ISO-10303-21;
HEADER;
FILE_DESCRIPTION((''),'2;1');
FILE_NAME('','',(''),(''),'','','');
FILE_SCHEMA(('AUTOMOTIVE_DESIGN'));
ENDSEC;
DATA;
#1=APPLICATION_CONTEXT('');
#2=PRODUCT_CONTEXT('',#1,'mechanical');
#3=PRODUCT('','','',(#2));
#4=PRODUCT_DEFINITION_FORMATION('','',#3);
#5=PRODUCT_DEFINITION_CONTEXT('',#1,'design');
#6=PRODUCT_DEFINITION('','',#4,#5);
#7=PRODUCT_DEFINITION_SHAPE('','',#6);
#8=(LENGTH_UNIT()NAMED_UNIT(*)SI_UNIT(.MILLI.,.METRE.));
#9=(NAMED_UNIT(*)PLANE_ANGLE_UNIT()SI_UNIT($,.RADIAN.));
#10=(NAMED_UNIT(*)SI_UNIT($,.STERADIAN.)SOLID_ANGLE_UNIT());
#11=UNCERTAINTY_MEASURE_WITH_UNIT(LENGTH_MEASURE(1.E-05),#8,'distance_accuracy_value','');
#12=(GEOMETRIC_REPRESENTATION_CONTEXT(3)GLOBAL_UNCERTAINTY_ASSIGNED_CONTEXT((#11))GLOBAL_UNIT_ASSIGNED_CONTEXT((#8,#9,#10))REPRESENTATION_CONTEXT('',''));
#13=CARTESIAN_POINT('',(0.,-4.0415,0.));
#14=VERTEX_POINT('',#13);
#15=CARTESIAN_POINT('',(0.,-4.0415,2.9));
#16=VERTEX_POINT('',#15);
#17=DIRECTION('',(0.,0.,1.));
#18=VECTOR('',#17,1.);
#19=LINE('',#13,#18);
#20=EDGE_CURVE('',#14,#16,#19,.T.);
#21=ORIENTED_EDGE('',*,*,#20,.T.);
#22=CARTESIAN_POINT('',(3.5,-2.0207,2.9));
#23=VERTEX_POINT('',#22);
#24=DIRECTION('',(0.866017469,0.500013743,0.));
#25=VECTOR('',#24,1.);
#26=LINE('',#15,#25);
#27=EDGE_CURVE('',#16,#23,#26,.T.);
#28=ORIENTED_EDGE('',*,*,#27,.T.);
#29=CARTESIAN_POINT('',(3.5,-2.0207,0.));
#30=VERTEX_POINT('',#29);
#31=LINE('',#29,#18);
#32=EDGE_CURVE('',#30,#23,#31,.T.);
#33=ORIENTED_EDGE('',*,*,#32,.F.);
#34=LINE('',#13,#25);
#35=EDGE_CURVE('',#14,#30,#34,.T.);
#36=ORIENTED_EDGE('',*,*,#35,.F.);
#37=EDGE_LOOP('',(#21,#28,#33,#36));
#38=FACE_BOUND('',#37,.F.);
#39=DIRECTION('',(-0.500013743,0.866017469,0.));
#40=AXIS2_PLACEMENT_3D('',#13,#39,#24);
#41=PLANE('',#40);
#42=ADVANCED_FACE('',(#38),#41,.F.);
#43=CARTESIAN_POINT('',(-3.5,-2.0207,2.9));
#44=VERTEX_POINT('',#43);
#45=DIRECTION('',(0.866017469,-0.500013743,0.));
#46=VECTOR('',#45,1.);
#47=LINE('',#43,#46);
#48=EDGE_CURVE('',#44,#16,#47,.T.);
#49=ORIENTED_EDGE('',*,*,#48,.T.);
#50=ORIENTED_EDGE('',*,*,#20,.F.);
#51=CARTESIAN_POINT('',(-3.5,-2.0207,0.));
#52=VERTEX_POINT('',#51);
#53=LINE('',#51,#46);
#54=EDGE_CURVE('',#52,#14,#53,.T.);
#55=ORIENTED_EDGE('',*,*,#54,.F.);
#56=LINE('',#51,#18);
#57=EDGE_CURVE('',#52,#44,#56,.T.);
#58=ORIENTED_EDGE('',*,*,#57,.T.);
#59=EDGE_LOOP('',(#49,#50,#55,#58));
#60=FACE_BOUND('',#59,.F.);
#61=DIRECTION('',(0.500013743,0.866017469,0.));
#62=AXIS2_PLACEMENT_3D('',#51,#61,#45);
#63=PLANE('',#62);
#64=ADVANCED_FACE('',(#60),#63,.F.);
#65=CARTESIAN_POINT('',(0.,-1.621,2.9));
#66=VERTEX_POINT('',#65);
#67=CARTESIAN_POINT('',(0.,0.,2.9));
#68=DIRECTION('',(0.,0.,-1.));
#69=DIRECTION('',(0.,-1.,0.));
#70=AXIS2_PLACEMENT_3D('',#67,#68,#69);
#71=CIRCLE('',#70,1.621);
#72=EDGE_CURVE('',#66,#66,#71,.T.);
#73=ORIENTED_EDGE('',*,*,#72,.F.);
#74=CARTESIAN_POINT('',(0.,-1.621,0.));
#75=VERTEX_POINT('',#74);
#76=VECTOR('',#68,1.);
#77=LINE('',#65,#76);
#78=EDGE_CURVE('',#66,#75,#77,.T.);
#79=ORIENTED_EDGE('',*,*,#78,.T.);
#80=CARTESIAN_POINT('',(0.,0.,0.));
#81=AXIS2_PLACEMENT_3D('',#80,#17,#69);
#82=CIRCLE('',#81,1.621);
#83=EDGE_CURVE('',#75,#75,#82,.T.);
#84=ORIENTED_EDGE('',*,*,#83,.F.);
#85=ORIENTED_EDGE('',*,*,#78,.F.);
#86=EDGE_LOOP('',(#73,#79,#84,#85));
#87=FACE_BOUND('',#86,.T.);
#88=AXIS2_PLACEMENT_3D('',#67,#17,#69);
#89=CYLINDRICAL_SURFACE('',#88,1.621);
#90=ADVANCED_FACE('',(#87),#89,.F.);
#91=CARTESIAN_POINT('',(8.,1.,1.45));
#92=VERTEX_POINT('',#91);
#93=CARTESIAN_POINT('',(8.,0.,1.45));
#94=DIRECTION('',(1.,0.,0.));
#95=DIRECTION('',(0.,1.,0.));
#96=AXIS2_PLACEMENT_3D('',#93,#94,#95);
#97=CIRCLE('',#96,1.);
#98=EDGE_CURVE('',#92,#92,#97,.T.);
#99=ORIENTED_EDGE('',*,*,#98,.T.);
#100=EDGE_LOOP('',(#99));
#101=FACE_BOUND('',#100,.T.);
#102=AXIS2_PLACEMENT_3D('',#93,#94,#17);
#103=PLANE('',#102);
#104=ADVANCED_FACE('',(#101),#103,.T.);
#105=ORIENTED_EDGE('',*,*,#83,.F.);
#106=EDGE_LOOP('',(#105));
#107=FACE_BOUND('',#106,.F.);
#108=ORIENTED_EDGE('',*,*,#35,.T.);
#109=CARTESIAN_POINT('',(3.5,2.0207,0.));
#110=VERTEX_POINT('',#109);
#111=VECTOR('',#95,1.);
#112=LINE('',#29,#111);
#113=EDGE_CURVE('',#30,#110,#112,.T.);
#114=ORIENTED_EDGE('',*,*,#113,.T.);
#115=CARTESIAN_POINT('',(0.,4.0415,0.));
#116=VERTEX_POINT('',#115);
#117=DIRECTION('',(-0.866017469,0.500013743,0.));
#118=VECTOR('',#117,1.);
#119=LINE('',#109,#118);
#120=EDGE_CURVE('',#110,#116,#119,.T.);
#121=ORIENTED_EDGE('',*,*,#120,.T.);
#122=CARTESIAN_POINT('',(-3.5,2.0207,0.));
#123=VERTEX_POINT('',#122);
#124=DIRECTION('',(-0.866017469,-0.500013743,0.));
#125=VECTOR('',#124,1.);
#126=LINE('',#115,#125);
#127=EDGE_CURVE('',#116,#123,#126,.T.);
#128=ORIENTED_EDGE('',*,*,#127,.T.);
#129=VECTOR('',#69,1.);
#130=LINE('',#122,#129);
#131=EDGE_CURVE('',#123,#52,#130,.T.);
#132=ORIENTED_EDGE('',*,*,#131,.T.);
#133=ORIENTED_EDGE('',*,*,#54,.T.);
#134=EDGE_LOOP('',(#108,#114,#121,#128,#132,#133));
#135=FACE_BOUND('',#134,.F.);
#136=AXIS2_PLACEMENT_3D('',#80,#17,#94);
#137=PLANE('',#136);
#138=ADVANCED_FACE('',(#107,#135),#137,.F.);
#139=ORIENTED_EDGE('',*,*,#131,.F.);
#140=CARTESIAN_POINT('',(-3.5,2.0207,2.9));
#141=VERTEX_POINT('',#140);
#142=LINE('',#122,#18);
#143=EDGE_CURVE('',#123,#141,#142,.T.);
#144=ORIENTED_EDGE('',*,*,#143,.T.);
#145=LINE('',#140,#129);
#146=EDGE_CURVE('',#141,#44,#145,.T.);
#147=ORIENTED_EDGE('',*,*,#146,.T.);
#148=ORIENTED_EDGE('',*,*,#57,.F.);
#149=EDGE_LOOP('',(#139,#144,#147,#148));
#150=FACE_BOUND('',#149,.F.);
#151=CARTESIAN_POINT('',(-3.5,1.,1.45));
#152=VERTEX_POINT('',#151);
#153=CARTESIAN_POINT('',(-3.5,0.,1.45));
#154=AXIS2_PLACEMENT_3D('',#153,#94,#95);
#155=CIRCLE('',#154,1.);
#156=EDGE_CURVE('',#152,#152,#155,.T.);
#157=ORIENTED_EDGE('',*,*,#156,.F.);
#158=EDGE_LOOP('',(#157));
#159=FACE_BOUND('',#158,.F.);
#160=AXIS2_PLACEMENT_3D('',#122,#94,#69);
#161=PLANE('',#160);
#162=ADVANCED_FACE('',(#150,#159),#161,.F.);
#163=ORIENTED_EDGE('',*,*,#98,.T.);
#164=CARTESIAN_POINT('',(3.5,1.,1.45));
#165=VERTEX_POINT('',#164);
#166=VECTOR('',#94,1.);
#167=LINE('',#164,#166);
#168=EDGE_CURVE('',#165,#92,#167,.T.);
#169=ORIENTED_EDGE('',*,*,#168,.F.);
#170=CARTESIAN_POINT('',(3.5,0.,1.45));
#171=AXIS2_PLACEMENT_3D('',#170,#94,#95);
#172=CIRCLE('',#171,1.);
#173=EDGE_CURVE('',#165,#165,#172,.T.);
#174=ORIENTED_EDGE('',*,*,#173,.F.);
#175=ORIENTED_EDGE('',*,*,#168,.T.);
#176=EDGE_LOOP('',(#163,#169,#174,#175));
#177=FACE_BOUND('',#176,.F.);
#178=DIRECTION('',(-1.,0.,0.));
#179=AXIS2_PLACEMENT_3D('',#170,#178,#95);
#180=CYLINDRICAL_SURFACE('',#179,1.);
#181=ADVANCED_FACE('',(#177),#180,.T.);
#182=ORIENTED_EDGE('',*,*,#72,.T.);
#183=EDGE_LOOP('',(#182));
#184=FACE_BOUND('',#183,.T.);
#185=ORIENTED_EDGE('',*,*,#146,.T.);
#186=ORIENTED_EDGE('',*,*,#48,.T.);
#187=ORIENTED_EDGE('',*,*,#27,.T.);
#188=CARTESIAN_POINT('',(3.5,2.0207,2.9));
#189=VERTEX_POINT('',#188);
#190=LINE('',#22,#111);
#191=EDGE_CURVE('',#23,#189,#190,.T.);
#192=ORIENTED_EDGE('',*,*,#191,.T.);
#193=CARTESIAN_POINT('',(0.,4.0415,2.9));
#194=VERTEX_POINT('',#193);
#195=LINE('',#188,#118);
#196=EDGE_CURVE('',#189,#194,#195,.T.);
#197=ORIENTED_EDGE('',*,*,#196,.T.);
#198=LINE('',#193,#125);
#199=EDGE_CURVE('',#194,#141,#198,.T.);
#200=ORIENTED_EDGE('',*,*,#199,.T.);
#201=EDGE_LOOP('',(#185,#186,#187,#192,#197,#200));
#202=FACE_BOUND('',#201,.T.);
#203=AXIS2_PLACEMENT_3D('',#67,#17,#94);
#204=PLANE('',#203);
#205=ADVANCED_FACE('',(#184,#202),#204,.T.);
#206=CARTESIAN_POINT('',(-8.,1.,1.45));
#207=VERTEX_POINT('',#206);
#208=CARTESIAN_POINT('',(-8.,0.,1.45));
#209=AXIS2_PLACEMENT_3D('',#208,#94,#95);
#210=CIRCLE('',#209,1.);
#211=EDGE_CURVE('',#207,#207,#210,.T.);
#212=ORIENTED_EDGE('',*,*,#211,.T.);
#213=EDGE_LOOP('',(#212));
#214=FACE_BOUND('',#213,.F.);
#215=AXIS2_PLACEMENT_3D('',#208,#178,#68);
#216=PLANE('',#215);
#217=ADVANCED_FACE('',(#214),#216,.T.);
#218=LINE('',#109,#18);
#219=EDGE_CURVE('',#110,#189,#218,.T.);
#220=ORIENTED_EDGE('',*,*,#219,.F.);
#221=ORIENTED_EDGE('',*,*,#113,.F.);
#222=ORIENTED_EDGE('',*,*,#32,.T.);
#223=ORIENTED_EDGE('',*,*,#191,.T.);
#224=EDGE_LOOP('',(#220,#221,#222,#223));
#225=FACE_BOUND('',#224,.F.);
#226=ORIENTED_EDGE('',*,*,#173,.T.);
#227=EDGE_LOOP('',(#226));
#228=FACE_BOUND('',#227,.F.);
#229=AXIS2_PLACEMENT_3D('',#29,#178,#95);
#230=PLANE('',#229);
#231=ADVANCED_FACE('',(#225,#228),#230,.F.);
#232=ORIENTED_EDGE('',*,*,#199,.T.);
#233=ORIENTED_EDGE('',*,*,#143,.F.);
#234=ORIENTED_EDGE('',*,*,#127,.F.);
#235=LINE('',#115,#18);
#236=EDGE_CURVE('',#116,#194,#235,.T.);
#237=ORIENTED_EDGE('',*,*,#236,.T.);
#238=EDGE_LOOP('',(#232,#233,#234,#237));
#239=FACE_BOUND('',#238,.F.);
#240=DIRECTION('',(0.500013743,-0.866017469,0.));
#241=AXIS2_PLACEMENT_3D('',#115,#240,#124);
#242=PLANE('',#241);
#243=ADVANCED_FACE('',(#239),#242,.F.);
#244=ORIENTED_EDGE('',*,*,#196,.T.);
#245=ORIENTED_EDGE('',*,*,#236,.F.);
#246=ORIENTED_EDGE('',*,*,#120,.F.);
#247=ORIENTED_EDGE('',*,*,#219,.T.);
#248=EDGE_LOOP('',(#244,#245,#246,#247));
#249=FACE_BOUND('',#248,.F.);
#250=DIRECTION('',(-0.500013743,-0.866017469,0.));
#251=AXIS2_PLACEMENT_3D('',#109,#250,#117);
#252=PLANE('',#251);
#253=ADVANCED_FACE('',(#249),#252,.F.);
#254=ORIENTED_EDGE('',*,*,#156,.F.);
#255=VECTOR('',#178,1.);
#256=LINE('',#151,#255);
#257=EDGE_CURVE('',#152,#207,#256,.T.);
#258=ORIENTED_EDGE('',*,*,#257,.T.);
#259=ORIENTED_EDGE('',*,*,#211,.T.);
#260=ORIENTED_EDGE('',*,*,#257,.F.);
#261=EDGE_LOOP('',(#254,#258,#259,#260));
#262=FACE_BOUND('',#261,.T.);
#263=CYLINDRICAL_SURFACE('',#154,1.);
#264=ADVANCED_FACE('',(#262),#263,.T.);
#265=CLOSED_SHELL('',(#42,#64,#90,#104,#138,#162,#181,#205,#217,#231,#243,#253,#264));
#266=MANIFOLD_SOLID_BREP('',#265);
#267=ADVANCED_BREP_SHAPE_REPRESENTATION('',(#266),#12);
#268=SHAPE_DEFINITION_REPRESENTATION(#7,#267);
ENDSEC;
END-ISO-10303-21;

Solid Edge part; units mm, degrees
sketch "Sketch1" plane through (0, 0, 0) normal (0, 0, 1) x (1, 0, 0)
  line L0 (3.5, 2.0207) -> (0, 4.0415)
  line L1 (0, 4.0415) -> (-3.5, 2.0207)
  line L2 (-3.5, 2.0207) -> (-3.5, -2.0207)
  line L3 (-3.5, -2.0207) -> (0, -4.0415)
  line L4 (0, -4.0415) -> (3.5, -2.0207)
  line L5 (3.5, -2.0207) -> (3.5, 2.0207)
extrude "Protrusion1" add sketch "Sketch1" along normal blind 2.9
hole "Otwór_1" at (0, 0, 2.9) direction (0, 0, -1) diameter 3.242 end up to next
sketch "Sketch2" plane through (3.5, 0, 1.45) normal (1, 0, 0) x (0, 1, 0)
  circle A0 centre (0, 0) radius 1
extrude "Wyciągnięcie_2" add sketch "Sketch2" along normal blind 4.5
mirror "Mirror1" about plane through (0, 4.0415, 2.9) normal (-1, 0, 0) of "Wyciągnięcie_2"
